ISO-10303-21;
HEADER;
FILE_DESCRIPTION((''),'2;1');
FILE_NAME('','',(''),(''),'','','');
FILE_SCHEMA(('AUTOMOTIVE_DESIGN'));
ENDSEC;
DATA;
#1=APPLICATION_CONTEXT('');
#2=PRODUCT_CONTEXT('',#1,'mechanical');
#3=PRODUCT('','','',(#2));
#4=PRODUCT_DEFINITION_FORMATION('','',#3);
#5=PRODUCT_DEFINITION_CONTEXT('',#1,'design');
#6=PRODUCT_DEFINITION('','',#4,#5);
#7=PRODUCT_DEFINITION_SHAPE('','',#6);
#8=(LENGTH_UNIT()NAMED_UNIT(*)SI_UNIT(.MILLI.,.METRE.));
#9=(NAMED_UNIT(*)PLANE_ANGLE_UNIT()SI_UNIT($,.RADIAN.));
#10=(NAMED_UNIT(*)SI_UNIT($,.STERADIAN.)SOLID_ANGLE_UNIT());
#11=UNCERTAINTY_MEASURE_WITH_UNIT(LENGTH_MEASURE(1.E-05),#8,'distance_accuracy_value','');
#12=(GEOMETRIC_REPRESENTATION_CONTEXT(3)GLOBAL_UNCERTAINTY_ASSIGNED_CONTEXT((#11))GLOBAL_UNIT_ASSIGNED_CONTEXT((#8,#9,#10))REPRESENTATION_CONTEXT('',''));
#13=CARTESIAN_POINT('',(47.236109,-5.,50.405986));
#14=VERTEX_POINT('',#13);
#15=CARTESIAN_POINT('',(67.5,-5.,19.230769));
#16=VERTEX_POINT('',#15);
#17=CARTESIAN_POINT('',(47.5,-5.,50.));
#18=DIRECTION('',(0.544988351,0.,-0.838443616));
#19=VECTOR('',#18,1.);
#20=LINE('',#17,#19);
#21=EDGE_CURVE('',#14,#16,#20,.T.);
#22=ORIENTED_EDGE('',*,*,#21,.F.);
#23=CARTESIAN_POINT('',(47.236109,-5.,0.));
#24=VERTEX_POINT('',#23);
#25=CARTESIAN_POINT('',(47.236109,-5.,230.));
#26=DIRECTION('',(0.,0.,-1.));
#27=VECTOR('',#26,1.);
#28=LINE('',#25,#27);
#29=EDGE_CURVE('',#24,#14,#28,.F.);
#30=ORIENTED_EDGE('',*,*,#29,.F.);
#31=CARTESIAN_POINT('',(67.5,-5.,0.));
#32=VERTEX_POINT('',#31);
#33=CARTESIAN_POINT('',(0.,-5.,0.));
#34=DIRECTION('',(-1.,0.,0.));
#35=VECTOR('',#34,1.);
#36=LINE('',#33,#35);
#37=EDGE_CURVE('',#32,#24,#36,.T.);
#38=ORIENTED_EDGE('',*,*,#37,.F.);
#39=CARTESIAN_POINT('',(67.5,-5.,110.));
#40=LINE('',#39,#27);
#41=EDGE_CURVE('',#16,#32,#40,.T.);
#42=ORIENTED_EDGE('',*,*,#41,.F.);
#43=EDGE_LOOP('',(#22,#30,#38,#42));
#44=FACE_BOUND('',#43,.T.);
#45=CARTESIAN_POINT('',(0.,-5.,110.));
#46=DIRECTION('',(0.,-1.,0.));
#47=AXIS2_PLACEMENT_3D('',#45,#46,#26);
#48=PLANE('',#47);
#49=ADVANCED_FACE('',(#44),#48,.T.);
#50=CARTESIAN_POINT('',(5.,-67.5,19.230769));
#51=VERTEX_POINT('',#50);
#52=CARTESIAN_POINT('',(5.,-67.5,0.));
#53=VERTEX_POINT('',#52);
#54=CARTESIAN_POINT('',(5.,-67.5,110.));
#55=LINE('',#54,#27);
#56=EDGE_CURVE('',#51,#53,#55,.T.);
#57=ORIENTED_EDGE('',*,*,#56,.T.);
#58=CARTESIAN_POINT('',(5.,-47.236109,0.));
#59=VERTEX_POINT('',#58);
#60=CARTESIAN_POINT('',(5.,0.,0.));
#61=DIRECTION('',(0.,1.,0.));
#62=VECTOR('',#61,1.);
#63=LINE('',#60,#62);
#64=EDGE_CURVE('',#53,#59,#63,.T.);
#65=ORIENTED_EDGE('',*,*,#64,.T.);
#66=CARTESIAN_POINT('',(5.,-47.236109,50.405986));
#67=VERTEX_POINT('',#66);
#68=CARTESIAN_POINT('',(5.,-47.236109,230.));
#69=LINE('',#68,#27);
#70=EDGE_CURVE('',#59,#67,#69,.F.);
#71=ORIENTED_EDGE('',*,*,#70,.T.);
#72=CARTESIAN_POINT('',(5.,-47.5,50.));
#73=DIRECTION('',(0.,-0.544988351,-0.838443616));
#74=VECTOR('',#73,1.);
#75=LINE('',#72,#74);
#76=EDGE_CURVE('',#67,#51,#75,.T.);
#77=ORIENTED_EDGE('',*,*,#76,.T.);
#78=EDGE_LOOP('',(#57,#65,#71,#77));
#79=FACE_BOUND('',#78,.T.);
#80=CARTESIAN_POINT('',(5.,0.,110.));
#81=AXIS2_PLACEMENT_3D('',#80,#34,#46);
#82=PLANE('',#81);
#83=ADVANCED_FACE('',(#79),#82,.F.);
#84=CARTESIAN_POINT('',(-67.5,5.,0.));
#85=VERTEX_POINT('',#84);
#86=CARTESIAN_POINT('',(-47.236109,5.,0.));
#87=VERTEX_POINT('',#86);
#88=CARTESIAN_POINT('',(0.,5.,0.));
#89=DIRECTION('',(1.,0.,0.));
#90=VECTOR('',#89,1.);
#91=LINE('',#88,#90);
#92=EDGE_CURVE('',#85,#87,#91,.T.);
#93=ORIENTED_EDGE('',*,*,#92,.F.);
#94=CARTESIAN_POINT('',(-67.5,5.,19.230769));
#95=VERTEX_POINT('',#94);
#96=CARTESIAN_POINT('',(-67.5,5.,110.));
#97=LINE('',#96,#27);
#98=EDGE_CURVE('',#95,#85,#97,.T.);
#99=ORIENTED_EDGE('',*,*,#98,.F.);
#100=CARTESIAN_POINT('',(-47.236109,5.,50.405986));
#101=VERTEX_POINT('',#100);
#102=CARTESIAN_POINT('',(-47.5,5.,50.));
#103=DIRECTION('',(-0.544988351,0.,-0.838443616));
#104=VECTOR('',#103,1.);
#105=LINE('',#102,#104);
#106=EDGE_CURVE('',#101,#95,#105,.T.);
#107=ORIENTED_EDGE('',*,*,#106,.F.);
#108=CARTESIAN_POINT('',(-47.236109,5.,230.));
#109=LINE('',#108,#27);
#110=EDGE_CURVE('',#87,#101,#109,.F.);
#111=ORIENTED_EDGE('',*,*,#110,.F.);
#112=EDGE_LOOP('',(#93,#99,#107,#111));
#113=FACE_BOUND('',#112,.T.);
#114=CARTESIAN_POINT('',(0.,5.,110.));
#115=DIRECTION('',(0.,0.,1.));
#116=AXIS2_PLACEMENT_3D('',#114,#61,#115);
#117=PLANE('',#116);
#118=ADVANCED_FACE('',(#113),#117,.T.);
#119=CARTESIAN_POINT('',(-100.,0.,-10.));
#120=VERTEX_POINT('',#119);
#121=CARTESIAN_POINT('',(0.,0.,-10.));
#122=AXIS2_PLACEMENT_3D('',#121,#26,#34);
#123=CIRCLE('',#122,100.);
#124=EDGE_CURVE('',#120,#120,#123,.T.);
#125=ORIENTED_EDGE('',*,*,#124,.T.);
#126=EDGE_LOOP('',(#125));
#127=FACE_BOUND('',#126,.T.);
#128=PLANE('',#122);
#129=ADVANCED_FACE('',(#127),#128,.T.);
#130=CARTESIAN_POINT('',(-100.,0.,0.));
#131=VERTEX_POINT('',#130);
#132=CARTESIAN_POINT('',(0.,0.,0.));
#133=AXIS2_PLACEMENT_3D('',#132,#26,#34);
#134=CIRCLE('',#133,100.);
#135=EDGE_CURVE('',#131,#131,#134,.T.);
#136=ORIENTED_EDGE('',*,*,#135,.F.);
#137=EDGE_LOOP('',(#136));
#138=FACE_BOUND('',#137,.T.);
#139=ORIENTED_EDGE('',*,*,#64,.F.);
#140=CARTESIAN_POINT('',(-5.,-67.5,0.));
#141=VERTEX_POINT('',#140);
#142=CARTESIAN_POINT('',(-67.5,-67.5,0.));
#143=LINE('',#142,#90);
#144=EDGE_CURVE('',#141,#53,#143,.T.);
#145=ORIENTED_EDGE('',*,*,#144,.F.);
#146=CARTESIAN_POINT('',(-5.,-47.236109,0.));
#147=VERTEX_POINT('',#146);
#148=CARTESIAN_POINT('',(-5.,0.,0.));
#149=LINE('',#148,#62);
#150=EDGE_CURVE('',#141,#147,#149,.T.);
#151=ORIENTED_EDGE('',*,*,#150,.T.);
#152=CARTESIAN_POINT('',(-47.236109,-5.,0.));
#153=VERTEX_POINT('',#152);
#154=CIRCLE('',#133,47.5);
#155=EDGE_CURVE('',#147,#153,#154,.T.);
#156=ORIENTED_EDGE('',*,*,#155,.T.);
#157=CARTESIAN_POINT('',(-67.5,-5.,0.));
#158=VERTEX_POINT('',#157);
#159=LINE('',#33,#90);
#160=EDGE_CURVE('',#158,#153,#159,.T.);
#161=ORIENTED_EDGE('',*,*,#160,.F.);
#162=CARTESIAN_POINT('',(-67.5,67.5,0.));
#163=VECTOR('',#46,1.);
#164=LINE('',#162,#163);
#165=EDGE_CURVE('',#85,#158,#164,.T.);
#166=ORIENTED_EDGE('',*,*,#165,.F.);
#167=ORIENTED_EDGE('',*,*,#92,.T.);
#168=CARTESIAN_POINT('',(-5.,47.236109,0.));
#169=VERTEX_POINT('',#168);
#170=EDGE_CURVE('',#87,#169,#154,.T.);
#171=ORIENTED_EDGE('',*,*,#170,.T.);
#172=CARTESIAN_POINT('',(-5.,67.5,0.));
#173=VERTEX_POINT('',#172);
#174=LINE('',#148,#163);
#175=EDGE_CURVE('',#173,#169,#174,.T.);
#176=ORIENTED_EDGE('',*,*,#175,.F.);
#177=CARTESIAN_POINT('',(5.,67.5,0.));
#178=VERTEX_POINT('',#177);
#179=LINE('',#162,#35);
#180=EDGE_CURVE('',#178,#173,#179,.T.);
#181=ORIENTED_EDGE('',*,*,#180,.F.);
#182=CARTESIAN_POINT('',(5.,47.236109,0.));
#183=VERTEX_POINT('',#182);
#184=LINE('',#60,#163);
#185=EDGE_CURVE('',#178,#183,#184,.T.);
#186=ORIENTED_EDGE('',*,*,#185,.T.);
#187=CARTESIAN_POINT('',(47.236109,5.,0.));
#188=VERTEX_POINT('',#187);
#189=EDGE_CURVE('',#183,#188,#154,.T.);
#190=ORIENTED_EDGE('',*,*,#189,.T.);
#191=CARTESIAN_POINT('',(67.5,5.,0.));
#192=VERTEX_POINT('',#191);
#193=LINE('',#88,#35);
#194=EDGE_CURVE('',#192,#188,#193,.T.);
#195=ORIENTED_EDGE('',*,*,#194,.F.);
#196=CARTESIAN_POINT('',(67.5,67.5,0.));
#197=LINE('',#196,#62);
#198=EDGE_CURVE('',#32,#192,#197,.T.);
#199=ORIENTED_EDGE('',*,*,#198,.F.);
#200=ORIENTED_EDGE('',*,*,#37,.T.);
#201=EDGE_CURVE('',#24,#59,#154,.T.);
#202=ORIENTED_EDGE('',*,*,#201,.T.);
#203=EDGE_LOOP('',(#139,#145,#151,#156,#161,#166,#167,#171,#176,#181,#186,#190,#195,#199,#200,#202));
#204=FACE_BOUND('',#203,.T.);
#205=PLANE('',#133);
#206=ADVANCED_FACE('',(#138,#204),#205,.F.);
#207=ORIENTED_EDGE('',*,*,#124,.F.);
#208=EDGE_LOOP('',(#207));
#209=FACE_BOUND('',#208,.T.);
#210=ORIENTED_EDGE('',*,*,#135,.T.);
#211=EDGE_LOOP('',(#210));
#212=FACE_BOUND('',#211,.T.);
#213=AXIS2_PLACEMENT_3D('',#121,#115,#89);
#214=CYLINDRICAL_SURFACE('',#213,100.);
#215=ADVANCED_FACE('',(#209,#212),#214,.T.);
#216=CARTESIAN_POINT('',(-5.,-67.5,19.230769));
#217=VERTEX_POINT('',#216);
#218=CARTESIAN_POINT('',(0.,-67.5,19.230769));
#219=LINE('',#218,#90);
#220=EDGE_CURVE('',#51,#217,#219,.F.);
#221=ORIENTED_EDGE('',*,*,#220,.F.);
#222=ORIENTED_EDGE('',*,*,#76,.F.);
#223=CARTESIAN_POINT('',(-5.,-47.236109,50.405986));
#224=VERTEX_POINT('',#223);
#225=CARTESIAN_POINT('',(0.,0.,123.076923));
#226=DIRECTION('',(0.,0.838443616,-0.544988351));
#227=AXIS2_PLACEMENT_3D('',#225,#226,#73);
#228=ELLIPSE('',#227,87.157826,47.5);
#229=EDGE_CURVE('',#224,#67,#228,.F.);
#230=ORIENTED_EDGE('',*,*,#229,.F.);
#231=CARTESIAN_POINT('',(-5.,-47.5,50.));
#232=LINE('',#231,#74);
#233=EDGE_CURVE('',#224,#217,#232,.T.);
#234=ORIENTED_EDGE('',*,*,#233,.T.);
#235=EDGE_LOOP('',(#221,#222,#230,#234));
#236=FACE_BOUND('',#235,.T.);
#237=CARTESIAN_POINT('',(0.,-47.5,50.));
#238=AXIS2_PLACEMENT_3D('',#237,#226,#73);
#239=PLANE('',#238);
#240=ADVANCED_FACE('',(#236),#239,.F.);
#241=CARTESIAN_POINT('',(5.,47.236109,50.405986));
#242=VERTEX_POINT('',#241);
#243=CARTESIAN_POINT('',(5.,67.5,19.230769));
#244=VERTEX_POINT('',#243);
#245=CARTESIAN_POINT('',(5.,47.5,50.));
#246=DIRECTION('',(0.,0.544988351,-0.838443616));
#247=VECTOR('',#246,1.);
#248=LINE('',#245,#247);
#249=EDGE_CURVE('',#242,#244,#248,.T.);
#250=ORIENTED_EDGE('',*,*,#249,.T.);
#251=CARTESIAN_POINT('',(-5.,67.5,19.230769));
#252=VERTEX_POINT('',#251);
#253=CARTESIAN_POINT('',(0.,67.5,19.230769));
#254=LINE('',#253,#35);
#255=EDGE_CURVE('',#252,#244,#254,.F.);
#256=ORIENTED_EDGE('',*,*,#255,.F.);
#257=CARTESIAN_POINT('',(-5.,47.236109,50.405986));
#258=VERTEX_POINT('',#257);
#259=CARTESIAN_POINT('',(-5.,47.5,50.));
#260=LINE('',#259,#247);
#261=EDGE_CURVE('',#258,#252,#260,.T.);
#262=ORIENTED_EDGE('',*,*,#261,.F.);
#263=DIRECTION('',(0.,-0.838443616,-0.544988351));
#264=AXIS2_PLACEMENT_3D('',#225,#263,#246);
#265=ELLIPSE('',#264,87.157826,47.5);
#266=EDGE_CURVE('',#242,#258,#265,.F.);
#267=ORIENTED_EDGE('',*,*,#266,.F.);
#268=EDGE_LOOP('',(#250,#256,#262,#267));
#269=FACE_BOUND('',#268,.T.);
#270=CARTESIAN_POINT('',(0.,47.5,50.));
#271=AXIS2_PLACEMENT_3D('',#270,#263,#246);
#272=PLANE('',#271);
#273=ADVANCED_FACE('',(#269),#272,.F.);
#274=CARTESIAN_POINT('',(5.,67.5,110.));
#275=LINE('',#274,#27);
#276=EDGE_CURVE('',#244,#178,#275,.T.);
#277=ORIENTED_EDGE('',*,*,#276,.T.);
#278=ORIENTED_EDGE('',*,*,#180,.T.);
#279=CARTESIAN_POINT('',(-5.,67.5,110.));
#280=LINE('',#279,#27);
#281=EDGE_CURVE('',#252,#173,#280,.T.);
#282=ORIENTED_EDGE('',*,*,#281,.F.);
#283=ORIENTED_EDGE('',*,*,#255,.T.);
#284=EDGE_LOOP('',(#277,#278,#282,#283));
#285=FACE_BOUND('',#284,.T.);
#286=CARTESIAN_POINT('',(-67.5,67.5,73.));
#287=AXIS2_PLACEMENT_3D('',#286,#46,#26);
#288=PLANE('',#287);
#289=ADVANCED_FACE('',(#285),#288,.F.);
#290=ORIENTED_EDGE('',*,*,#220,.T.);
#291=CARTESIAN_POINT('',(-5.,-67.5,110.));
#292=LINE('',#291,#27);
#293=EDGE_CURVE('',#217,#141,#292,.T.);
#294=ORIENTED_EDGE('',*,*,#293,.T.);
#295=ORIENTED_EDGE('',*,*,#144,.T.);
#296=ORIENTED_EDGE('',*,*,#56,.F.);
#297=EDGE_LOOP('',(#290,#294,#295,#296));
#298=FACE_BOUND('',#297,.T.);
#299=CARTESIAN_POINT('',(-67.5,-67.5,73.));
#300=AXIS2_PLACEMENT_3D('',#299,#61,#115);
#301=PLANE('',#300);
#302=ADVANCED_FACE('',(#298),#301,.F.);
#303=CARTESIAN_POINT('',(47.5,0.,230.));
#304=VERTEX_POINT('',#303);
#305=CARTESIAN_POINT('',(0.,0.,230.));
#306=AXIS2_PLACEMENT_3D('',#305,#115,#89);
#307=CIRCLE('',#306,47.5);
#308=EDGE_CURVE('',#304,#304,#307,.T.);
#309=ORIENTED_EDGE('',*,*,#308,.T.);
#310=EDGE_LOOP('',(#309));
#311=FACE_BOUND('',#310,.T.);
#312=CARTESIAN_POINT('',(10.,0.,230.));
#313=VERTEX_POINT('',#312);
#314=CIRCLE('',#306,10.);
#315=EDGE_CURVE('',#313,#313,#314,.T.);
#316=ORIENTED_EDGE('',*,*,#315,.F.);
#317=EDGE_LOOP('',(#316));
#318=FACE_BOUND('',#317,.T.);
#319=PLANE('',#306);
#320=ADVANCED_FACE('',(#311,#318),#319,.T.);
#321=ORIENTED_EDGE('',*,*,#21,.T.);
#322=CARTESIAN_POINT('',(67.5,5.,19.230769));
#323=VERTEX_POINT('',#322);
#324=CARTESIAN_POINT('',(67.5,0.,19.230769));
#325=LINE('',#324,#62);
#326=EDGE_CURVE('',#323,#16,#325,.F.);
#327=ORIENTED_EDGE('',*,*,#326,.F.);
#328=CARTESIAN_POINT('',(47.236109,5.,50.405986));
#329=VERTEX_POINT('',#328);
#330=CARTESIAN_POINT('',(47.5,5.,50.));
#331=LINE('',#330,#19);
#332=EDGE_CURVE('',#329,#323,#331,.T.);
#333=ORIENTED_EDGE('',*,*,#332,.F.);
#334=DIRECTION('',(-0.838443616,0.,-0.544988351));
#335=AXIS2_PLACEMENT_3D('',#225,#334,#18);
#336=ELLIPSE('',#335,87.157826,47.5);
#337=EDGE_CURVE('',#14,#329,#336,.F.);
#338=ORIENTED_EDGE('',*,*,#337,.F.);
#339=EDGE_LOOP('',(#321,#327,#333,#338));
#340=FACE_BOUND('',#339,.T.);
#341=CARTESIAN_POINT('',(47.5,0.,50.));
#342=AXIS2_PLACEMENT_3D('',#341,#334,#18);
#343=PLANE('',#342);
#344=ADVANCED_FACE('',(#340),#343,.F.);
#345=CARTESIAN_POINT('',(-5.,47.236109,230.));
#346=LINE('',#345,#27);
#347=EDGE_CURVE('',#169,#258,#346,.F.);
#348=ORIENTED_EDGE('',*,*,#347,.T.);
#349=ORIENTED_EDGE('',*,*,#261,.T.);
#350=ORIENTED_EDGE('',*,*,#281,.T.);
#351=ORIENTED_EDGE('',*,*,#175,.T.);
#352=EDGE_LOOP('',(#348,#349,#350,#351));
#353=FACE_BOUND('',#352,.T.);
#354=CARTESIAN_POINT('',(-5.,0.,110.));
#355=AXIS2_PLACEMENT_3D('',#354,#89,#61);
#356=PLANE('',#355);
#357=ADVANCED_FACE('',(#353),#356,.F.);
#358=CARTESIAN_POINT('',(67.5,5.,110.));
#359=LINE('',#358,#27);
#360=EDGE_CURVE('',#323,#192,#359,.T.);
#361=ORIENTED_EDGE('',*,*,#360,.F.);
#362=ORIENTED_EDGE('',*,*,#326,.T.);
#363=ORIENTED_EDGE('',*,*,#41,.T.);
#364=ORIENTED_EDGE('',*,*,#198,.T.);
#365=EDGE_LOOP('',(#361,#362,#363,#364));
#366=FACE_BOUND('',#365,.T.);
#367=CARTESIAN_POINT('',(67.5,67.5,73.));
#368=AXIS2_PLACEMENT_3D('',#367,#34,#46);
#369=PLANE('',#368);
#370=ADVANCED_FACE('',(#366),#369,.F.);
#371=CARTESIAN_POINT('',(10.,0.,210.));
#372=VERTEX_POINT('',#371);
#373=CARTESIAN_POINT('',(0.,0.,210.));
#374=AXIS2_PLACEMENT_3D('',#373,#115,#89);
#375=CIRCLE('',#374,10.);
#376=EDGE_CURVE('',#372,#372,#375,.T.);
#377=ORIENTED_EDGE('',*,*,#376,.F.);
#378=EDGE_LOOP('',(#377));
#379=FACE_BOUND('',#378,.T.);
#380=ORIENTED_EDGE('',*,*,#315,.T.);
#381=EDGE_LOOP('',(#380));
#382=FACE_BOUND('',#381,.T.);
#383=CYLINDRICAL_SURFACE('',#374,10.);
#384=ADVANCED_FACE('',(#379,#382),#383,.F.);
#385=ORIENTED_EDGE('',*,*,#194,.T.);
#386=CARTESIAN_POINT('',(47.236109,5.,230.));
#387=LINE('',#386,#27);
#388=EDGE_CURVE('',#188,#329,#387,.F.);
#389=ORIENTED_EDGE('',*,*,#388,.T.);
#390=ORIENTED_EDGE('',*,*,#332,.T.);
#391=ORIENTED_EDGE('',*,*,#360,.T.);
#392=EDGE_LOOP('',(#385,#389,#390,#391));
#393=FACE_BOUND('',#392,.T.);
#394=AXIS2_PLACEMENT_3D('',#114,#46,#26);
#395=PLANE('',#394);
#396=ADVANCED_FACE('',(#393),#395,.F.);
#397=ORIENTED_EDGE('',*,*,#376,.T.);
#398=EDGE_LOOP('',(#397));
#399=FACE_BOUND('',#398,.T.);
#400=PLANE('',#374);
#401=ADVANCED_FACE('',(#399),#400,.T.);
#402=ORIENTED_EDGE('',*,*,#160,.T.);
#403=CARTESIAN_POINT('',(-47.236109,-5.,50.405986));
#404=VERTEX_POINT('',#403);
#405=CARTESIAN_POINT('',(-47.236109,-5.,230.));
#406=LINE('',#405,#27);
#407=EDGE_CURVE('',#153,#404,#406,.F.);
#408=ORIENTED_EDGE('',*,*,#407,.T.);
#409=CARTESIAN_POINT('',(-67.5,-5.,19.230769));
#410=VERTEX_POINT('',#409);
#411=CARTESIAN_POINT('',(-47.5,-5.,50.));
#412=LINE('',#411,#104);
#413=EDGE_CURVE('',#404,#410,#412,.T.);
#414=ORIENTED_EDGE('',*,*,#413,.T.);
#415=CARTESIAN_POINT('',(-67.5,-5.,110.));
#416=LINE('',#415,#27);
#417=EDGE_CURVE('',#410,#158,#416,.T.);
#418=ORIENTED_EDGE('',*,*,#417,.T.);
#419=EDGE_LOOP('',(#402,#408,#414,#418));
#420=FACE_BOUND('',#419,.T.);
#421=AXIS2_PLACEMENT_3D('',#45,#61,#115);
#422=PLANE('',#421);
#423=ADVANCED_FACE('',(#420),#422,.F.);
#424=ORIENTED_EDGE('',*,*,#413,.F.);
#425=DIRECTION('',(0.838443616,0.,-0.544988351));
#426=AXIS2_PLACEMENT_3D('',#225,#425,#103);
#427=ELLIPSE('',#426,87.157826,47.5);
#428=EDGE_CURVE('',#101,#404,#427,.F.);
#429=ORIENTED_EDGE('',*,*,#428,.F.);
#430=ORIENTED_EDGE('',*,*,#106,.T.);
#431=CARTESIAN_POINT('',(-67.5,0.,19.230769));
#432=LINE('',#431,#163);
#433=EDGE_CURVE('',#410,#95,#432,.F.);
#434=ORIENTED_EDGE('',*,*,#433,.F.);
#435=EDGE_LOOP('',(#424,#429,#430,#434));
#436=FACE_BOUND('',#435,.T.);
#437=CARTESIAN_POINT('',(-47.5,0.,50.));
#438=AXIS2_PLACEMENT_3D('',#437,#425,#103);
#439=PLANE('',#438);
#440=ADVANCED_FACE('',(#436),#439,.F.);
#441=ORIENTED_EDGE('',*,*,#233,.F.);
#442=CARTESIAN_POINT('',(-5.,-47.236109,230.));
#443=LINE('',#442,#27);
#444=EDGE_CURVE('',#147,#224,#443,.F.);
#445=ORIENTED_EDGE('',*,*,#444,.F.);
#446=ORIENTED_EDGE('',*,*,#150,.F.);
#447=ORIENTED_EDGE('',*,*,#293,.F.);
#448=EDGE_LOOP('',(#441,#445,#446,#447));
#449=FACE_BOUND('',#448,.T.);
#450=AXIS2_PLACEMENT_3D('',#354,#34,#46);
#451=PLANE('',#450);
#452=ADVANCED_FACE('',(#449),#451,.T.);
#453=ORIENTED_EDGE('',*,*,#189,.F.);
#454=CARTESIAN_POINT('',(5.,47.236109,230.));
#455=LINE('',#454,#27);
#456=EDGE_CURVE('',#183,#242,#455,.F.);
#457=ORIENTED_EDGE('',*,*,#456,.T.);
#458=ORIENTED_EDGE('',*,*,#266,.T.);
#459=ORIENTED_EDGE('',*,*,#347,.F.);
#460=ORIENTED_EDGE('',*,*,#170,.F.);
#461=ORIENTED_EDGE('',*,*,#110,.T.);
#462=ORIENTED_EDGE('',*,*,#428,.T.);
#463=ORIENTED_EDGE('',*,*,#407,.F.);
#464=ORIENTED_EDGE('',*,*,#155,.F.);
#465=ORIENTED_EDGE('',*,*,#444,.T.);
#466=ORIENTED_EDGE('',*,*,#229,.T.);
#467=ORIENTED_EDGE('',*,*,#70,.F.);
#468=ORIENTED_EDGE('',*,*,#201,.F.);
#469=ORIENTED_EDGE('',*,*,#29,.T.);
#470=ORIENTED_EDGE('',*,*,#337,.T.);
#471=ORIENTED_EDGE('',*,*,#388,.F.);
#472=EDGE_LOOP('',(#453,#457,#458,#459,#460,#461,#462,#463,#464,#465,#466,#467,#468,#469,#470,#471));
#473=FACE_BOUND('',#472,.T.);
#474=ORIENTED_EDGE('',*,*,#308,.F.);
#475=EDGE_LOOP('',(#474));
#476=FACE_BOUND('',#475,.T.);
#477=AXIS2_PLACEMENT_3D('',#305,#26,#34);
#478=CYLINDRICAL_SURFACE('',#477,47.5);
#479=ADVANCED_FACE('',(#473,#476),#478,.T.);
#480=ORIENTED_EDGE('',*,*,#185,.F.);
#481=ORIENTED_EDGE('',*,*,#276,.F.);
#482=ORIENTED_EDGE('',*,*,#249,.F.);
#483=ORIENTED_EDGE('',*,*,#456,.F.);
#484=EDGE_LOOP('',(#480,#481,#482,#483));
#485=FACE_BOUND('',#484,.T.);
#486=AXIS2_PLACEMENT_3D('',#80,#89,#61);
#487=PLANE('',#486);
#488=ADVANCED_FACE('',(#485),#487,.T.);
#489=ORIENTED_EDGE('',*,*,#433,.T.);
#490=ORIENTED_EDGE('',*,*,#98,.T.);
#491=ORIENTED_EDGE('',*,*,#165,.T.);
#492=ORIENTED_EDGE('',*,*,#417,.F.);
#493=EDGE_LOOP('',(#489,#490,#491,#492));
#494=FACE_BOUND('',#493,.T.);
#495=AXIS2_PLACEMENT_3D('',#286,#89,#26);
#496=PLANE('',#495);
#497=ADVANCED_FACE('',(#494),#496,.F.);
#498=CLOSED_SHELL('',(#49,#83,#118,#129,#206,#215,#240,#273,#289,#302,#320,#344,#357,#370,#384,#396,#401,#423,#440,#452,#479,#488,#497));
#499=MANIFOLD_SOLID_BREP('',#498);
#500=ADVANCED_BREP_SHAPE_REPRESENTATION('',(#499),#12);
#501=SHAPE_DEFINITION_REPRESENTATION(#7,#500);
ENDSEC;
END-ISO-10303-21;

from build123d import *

# Parameters (mm, degrees)
SKETCH1_R           = 47.5
BOSS_EXTRUDE1_DEPTH = 230
SKETCH2_R           = 10
CUT_EXTRUDE1_DEPTH  = 20
SKETCH3_R           = 100
BOSS_EXTRUDE2_DEPTH = 10
RIB1_REACH          = 272
SKETCH4_WALL_W      = 601.63430221
SKETCH4_WALL_H      = 10
CIRPATTERN1_COUNT   = 4
SKETCH7_OUTSIDE_W   = 276.188
SKETCH7_OUTSIDE_H   = 276.188
SKETCH7_OUTSIDE_W_2 = 135
SKETCH7_OUTSIDE_H_2 = 135
CUT_EXTRUDE2_DEPTH  = 73


with BuildPart() as part:
    # Sketch1 → Boss-Extrude1 (new body)
    with BuildSketch(Plane.XY):
        Circle(SKETCH1_R)
    extrude(amount=BOSS_EXTRUDE1_DEPTH)

    # Sketch2 → Cut-Extrude1 (cut)
    with BuildSketch(Plane.XY.offset(230)):
        Circle(SKETCH2_R)
    extrude(amount=-CUT_EXTRUDE1_DEPTH, mode=Mode.SUBTRACT)

    # Sketch3 → Boss-Extrude2 (add)
    with BuildSketch(Plane(origin=(0, 0, 0), x_dir=(-1, 0, 0), z_dir=(0, 0, -1))):
        Circle(SKETCH3_R)
    extrude(amount=BOSS_EXTRUDE2_DEPTH)

    # Sketch4 wall → Rib1 (add, up to next)
    with BuildSketch(Plane(origin=(-63.75, 0, 25), x_dir=(-0.544988350595, 0, -0.838443616301), z_dir=(-0.838443616301, 0, 0.544988350595)), mode=Mode.PRIVATE) as rib1_sk1:
        Rectangle(SKETCH4_WALL_W, SKETCH4_WALL_H)
    rib1_tool1 = extrude(rib1_sk1.sketch, amount=-RIB1_REACH, mode=Mode.PRIVATE) - part.part
    rib1 = rib1_tool1.solids().sort_by_distance((-63.75, 0, 25))[0]
    add(rib1)

    # CirPattern1: Rib1 ×4 about axis
    cirpattern1_axis = Axis((0, 0, 0), (0, 0, 1))
    for i in range(1, CIRPATTERN1_COUNT):
        add(rib1.rotate(cirpattern1_axis, i * 360 / CIRPATTERN1_COUNT))

    # Sketch7 outside → Cut-Extrude2 (cut)
    with BuildSketch(Plane.XY):
        Rectangle(SKETCH7_OUTSIDE_W, SKETCH7_OUTSIDE_H)
        Rectangle(SKETCH7_OUTSIDE_W_2, SKETCH7_OUTSIDE_H_2, mode=Mode.SUBTRACT)
    extrude(amount=CUT_EXTRUDE2_DEPTH, mode=Mode.SUBTRACT)


solid = part.part
